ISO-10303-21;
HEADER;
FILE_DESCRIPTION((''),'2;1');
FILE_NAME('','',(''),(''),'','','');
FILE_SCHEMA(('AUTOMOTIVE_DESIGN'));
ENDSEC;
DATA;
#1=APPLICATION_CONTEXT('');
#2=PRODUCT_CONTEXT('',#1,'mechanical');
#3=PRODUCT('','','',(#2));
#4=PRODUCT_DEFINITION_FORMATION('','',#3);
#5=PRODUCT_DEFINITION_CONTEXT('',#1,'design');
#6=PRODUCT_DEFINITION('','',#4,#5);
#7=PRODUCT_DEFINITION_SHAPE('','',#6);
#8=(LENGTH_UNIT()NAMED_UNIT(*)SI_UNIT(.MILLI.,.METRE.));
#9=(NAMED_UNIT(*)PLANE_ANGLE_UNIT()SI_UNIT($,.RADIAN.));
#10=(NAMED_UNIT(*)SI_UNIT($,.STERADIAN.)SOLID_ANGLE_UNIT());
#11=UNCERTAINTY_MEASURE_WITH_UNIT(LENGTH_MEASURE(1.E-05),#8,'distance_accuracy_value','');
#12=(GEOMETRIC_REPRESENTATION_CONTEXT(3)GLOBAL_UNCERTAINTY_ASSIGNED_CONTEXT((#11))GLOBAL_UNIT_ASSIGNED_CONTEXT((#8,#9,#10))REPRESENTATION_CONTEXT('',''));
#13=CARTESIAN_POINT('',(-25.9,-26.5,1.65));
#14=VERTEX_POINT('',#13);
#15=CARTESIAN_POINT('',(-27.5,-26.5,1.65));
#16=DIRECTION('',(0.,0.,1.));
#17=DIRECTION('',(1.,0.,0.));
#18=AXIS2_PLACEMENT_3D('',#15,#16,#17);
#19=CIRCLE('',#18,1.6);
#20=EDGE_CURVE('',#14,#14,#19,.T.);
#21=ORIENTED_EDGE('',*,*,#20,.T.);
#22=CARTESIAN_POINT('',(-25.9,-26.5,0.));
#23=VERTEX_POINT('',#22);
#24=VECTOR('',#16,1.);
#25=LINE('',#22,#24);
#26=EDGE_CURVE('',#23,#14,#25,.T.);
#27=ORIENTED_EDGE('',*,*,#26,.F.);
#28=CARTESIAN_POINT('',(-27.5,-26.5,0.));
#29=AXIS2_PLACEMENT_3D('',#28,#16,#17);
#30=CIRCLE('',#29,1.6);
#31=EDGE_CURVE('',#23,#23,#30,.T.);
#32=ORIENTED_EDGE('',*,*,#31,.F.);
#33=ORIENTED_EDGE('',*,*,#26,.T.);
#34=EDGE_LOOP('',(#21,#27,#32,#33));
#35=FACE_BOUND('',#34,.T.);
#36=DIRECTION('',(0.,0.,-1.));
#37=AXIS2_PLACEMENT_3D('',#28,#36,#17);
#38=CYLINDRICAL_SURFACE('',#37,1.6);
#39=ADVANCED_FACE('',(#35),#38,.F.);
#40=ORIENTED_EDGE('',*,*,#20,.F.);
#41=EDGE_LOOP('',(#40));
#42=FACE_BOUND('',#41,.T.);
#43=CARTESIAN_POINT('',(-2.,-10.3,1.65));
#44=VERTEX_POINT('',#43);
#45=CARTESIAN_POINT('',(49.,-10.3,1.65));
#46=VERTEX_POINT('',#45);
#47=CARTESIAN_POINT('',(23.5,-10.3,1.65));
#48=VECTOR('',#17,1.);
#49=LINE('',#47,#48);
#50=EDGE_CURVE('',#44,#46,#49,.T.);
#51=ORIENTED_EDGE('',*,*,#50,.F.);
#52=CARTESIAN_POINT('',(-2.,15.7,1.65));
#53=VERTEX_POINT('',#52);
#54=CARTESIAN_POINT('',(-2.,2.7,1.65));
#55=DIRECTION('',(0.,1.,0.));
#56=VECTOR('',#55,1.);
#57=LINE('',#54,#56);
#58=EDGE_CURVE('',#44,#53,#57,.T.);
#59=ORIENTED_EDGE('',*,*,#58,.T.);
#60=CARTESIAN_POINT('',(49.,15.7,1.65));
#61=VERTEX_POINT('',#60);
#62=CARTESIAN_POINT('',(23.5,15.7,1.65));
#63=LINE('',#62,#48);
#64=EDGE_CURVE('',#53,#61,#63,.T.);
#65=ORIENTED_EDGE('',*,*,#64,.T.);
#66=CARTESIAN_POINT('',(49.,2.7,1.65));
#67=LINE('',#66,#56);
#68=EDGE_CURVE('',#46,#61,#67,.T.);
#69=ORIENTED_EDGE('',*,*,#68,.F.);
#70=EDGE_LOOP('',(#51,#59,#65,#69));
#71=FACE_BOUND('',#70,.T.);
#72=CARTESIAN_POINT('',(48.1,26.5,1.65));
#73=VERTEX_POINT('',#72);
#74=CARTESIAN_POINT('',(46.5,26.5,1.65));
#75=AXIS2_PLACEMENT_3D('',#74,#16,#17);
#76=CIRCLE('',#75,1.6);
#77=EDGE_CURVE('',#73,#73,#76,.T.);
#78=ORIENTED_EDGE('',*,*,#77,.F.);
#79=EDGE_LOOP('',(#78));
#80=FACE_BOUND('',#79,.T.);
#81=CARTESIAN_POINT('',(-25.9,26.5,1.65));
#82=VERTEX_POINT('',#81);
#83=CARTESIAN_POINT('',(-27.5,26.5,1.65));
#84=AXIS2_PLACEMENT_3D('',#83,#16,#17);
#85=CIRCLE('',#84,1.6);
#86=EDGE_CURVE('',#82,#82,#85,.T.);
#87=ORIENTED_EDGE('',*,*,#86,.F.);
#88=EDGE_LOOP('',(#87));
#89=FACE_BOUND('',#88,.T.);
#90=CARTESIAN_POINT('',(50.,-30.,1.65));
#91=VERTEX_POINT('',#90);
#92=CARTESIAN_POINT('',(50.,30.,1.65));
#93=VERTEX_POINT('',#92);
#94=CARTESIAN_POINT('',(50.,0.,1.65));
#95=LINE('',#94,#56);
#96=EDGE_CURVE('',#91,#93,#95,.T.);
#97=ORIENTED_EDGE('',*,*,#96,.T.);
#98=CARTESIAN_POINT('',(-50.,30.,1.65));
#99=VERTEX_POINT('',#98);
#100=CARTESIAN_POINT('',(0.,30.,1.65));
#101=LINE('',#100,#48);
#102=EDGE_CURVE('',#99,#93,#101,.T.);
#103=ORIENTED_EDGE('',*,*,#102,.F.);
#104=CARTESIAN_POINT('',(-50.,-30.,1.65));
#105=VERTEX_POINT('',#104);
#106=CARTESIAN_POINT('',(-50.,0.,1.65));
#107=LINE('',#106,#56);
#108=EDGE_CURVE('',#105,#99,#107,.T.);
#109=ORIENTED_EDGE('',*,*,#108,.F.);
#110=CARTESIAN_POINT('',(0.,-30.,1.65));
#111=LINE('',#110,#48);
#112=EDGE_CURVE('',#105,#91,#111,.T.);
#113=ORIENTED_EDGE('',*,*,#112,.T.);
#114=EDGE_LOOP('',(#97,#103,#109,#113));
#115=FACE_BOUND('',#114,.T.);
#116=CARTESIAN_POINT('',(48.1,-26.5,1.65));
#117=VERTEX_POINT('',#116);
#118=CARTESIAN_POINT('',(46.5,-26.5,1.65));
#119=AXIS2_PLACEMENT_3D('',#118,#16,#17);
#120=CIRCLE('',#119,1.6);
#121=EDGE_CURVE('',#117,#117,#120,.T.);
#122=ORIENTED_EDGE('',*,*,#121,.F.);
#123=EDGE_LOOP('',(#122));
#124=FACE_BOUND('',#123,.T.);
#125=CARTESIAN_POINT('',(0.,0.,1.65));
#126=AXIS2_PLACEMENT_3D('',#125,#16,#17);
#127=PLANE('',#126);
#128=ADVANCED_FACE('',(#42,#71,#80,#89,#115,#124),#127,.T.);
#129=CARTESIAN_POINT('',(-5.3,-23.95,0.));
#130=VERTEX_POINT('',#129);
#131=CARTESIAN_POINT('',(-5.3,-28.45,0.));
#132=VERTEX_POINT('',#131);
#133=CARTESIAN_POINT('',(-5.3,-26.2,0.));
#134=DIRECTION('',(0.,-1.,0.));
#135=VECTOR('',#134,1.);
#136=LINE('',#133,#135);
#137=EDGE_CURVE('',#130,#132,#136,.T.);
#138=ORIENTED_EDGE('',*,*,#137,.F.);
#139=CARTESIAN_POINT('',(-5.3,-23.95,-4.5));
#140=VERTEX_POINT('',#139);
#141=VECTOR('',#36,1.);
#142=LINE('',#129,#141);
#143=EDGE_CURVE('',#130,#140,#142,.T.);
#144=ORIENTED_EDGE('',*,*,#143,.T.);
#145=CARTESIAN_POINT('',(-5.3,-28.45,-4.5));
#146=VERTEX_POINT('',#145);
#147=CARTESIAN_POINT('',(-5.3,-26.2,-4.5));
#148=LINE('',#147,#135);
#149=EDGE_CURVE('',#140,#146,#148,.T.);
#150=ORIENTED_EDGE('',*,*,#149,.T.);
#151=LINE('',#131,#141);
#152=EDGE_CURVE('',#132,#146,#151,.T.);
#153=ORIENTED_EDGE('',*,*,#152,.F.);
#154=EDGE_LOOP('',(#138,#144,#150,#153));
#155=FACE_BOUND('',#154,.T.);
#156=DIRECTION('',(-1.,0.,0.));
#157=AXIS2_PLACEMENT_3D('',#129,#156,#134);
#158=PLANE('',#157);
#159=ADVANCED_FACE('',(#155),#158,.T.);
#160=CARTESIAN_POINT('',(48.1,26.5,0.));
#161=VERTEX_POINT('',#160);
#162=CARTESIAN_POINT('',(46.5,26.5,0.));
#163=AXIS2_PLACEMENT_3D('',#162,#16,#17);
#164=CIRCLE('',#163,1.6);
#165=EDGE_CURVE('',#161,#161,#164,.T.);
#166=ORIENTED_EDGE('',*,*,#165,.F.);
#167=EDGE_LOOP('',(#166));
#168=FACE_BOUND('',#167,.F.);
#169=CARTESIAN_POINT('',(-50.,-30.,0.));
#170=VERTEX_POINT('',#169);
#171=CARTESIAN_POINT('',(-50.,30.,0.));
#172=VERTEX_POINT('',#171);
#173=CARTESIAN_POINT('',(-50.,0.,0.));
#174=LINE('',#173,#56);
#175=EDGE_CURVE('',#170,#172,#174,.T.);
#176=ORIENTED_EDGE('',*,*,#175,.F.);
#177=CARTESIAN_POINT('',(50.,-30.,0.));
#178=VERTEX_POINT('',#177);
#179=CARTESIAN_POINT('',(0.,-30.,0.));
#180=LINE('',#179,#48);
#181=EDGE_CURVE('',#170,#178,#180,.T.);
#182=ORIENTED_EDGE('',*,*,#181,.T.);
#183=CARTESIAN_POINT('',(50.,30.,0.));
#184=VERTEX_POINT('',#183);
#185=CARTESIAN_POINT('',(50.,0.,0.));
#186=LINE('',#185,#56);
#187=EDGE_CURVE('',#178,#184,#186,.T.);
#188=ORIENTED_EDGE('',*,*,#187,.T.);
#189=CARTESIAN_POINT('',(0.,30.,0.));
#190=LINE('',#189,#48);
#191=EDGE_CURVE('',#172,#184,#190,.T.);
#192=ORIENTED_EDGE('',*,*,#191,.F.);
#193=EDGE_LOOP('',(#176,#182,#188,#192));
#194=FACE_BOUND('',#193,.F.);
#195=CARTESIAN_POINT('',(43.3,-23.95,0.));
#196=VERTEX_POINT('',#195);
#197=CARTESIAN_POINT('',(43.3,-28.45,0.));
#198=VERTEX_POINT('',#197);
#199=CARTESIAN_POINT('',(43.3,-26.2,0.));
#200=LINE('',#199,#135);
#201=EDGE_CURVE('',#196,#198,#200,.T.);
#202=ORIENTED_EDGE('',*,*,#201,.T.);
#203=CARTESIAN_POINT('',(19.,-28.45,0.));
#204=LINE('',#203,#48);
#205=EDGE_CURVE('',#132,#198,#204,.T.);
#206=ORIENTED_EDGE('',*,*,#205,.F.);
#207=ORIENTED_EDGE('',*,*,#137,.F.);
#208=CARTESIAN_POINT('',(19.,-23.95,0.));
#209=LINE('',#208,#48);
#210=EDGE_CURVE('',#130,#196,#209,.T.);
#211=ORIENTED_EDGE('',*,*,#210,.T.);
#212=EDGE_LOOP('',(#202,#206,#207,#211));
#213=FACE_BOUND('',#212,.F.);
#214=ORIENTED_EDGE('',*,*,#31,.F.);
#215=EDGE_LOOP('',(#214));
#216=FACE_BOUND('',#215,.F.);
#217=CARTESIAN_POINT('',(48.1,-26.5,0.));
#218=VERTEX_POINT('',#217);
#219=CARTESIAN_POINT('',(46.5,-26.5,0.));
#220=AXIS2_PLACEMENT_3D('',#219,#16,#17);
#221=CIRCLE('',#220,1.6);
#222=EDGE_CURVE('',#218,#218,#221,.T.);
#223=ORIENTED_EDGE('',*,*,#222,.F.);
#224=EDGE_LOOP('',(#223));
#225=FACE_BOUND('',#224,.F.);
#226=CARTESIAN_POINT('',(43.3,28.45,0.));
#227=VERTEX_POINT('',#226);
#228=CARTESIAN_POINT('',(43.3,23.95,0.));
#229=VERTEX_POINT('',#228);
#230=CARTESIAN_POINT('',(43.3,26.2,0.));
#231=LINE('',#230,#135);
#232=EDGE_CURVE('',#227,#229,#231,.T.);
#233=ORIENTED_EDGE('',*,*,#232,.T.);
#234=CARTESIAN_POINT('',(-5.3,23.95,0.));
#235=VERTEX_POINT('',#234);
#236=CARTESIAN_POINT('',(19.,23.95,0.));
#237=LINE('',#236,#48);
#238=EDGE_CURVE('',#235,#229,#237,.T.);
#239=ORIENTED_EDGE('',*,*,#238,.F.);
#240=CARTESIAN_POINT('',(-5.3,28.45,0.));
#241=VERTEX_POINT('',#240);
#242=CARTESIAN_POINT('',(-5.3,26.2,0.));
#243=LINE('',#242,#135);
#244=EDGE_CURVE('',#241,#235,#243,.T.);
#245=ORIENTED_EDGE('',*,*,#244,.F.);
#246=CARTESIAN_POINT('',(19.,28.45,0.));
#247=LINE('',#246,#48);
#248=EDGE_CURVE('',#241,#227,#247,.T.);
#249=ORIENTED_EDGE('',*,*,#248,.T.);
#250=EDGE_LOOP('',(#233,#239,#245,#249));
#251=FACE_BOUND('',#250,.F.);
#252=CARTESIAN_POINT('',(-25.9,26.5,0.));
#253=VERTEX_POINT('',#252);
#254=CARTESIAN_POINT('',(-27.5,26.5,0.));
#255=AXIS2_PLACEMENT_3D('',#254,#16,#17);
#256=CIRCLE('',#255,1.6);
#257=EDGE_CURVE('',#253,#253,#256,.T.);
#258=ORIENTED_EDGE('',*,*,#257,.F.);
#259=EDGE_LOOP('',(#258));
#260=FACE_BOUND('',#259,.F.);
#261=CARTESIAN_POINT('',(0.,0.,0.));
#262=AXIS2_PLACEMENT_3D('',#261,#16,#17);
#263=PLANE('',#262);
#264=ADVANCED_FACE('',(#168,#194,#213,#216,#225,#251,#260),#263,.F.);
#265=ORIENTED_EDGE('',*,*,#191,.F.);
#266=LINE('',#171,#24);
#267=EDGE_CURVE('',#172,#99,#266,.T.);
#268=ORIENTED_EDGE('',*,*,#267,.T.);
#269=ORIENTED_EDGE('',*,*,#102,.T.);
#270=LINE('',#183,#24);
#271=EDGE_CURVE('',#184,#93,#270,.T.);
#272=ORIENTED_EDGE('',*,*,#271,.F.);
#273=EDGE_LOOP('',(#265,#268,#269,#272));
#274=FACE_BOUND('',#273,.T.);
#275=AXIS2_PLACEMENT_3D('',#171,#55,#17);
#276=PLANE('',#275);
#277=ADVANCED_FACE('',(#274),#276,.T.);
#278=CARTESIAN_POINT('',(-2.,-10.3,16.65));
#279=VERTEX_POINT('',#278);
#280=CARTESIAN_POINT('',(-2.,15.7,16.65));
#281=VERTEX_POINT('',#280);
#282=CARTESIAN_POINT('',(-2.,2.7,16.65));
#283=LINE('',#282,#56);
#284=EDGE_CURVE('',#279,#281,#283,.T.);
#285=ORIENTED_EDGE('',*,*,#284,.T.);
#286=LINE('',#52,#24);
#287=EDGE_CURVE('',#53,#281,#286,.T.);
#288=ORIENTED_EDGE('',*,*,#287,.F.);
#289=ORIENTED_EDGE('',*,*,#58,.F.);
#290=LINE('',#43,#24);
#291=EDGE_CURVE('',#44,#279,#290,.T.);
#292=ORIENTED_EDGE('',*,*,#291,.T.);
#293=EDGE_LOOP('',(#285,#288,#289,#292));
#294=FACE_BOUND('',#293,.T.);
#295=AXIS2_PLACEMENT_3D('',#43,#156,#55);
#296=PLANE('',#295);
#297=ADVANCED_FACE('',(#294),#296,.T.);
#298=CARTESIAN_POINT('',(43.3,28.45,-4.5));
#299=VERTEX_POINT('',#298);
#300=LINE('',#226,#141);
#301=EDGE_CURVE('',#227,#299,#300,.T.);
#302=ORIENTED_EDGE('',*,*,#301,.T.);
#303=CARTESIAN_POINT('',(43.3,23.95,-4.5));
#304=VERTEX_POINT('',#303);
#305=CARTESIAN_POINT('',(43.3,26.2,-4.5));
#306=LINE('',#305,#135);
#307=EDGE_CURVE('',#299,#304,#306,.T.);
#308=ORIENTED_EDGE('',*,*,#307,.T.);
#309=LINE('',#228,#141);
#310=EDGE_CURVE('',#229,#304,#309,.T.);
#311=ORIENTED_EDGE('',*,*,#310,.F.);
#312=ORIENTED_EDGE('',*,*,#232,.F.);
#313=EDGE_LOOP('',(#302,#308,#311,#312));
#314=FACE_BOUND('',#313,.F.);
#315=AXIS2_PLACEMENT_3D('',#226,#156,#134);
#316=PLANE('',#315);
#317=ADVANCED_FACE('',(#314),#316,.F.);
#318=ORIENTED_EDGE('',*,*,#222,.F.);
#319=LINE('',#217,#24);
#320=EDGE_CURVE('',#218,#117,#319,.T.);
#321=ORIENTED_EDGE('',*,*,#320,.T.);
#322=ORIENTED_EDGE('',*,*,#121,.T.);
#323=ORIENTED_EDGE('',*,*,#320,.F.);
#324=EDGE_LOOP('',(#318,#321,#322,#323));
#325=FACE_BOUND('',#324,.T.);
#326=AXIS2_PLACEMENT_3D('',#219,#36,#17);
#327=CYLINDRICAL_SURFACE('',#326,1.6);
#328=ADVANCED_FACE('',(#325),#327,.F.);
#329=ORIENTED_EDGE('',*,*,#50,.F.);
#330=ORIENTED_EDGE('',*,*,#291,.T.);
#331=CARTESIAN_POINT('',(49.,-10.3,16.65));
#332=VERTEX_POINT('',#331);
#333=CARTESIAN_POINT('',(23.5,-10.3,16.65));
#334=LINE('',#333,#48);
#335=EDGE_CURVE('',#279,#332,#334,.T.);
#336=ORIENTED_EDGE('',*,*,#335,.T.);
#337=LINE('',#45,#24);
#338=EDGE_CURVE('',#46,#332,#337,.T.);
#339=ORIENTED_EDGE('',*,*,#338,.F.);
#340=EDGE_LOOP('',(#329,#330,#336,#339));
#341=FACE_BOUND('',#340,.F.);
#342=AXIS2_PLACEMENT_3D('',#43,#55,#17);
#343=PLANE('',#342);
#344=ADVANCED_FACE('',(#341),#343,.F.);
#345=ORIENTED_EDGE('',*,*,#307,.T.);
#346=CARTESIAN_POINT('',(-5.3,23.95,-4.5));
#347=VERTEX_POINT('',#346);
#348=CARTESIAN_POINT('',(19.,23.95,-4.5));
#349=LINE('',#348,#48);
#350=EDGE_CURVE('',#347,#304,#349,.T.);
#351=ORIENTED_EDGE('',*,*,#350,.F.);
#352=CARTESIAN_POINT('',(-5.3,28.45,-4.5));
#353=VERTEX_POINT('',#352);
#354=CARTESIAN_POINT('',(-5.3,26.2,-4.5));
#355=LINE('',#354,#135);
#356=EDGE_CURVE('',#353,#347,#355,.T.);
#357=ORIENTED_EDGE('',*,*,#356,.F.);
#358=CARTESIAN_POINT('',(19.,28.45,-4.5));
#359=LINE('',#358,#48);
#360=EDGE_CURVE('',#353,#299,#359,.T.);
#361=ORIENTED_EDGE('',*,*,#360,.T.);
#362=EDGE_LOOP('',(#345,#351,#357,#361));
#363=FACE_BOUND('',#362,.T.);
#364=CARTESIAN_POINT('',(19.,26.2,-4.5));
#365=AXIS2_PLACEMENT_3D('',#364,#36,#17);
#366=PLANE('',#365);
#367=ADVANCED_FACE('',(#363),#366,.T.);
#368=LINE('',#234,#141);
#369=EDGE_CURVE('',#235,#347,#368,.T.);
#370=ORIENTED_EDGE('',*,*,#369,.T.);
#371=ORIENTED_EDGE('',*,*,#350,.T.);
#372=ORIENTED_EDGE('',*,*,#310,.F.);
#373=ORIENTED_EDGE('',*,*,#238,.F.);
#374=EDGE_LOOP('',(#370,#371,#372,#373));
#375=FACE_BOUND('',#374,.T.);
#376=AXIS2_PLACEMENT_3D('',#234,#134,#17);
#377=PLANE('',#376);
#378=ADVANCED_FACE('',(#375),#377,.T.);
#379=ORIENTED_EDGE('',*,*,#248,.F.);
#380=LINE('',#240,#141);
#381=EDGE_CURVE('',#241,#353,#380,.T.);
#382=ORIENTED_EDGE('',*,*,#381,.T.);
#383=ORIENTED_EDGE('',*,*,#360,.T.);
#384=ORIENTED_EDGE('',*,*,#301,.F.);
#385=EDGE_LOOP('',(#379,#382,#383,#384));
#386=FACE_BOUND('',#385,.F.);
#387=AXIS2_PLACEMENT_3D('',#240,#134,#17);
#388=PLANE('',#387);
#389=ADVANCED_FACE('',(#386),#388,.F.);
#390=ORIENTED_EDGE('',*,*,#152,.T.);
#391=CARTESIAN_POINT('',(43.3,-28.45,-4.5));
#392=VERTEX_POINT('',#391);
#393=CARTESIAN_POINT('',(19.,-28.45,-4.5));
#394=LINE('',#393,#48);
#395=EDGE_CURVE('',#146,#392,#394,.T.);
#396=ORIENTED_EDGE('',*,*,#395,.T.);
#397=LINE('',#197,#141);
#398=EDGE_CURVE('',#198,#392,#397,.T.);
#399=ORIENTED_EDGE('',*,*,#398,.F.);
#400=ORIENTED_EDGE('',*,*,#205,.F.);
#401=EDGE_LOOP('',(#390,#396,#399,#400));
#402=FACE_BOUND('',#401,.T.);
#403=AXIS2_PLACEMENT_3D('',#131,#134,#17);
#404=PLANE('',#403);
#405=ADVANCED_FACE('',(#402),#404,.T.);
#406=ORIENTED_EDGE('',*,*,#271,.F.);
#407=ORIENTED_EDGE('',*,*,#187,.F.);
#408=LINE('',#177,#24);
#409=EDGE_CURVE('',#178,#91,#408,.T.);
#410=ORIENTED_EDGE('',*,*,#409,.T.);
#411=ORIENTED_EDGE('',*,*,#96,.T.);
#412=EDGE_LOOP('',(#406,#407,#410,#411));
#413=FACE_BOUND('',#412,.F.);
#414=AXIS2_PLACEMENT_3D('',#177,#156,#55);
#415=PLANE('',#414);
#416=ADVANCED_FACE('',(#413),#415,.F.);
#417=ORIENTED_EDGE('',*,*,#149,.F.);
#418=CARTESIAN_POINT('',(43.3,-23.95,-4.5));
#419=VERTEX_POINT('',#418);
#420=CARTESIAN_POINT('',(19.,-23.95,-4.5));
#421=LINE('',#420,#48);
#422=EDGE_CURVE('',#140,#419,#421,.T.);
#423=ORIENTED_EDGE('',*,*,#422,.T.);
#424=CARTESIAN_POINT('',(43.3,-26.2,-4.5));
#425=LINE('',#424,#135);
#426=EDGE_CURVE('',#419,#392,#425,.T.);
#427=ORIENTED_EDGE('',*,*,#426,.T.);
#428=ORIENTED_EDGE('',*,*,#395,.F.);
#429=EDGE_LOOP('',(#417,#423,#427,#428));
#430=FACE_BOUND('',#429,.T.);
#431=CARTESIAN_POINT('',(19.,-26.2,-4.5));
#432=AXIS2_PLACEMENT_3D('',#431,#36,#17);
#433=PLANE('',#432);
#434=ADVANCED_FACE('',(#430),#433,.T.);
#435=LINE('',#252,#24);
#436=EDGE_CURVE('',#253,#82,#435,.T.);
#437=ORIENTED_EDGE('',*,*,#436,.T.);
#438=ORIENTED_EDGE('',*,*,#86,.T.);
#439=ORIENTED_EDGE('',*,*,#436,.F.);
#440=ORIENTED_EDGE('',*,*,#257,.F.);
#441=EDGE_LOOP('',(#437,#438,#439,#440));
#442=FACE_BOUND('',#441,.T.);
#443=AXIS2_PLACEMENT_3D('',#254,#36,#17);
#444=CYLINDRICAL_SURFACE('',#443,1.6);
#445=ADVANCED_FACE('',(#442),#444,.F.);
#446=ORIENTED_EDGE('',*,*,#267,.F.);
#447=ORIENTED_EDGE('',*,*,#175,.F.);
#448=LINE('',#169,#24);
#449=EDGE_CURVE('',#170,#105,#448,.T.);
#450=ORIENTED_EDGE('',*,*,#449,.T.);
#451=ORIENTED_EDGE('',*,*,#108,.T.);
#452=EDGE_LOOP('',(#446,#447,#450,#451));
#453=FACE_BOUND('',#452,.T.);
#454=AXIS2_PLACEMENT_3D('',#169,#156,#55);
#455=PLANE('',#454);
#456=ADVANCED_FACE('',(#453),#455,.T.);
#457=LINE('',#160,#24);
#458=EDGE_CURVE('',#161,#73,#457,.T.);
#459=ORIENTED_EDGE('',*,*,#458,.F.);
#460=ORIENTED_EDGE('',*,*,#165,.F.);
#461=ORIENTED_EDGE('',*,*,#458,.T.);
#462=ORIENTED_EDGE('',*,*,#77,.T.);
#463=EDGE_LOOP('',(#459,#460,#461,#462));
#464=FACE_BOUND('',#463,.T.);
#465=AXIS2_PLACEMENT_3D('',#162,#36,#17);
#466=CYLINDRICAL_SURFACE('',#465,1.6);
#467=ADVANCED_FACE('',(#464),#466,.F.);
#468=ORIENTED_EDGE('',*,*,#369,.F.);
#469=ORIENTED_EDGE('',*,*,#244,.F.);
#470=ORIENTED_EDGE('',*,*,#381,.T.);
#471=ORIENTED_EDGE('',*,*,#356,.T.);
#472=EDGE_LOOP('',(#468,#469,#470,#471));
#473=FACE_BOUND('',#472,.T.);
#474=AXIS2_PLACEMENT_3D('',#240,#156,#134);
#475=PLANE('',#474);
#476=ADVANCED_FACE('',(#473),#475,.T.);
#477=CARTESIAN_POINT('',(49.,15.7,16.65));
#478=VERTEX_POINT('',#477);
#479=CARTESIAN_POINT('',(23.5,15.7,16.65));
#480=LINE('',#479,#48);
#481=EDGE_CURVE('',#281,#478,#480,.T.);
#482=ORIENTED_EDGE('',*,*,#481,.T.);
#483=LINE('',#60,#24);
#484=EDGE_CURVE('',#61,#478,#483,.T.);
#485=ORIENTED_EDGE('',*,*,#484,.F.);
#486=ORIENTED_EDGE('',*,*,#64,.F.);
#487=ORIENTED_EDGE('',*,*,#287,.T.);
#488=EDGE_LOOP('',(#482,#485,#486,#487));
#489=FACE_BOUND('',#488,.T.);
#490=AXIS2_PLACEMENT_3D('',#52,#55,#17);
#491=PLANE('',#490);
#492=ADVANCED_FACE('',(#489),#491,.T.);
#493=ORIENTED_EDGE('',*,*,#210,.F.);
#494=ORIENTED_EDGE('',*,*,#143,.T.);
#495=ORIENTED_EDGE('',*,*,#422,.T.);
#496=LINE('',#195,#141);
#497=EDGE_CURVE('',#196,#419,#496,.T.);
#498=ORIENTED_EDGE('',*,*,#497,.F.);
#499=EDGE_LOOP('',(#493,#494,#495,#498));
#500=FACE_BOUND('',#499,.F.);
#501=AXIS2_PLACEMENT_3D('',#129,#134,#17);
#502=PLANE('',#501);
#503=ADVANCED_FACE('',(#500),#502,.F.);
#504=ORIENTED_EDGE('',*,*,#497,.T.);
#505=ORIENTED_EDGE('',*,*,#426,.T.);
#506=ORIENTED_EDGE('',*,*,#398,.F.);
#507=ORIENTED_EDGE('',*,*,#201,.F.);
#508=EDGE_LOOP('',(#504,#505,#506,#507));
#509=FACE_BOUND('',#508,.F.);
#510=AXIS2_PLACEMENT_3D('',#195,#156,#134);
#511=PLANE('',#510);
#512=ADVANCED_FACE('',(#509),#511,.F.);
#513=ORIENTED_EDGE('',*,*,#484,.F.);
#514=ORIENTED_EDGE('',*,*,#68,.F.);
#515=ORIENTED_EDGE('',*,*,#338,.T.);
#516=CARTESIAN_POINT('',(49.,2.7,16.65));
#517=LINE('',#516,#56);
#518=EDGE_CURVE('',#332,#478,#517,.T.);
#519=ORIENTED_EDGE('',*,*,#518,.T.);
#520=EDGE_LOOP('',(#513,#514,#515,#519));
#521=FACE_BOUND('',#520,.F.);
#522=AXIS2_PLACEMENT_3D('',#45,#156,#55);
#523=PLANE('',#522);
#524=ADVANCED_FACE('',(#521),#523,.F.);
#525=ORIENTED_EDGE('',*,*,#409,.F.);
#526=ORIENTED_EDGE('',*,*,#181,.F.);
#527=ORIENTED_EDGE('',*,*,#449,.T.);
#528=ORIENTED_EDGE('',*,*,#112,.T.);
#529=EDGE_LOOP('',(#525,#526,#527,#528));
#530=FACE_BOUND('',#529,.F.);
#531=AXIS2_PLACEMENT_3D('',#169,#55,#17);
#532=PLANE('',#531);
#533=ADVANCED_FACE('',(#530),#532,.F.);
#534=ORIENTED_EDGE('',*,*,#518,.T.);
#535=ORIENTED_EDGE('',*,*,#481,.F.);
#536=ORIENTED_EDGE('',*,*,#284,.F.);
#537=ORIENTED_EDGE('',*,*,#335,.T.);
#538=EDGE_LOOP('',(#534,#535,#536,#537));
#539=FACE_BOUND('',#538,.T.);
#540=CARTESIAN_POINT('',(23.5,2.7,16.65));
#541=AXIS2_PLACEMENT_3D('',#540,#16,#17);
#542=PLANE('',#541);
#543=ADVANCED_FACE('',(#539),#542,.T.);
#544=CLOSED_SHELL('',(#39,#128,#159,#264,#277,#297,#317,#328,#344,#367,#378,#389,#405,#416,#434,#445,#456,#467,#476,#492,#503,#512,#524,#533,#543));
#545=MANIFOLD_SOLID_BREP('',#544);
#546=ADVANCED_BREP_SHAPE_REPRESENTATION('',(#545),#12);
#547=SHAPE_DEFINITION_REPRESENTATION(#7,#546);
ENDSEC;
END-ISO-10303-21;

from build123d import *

# Parameters (mm, degrees)
F0_W     = 100
F0_H     = 60
F0_R     = 1.6
F1_DEPTH = 1.65
F2_W     = 48.6
F2_H     = 4.5
F3_DEPTH = 4.5
F4_W     = 51
F4_H     = 26
F5_DEPTH = 15


with BuildPart() as f1:
    # F0 (on Top) → F1 (new body)
    with BuildSketch(Plane.XY):
        Rectangle(F0_W, F0_H)
        with Locations((-27.5, -26.5)):
            Circle(F0_R, mode=Mode.SUBTRACT)
        with Locations((46.5, -26.5)):
            Circle(F0_R, mode=Mode.SUBTRACT)
        with Locations((-27.5, 26.5)):
            Circle(F0_R, mode=Mode.SUBTRACT)
        with Locations((46.5, 26.5)):
            Circle(F0_R, mode=Mode.SUBTRACT)
    extrude(amount=F1_DEPTH)

    # F2 (on face) → F3 (join)
    with BuildSketch(Plane(origin=(0, 0, 0), x_dir=(1, 0, 0), z_dir=(0, 0, -1))):
        with Locations((19, 26.2)):
            Rectangle(F2_W, F2_H)
        with Locations((19, -26.2)):
            Rectangle(F2_W, F2_H)
    extrude(amount=F3_DEPTH)

    # F4 (on face) → F5 (join)
    with BuildSketch(Plane.XY.offset(1.65)):
        with Locations((23.5, 2.7)):
            Rectangle(F4_W, F4_H)
    extrude(amount=F5_DEPTH)


solid = f1.part
